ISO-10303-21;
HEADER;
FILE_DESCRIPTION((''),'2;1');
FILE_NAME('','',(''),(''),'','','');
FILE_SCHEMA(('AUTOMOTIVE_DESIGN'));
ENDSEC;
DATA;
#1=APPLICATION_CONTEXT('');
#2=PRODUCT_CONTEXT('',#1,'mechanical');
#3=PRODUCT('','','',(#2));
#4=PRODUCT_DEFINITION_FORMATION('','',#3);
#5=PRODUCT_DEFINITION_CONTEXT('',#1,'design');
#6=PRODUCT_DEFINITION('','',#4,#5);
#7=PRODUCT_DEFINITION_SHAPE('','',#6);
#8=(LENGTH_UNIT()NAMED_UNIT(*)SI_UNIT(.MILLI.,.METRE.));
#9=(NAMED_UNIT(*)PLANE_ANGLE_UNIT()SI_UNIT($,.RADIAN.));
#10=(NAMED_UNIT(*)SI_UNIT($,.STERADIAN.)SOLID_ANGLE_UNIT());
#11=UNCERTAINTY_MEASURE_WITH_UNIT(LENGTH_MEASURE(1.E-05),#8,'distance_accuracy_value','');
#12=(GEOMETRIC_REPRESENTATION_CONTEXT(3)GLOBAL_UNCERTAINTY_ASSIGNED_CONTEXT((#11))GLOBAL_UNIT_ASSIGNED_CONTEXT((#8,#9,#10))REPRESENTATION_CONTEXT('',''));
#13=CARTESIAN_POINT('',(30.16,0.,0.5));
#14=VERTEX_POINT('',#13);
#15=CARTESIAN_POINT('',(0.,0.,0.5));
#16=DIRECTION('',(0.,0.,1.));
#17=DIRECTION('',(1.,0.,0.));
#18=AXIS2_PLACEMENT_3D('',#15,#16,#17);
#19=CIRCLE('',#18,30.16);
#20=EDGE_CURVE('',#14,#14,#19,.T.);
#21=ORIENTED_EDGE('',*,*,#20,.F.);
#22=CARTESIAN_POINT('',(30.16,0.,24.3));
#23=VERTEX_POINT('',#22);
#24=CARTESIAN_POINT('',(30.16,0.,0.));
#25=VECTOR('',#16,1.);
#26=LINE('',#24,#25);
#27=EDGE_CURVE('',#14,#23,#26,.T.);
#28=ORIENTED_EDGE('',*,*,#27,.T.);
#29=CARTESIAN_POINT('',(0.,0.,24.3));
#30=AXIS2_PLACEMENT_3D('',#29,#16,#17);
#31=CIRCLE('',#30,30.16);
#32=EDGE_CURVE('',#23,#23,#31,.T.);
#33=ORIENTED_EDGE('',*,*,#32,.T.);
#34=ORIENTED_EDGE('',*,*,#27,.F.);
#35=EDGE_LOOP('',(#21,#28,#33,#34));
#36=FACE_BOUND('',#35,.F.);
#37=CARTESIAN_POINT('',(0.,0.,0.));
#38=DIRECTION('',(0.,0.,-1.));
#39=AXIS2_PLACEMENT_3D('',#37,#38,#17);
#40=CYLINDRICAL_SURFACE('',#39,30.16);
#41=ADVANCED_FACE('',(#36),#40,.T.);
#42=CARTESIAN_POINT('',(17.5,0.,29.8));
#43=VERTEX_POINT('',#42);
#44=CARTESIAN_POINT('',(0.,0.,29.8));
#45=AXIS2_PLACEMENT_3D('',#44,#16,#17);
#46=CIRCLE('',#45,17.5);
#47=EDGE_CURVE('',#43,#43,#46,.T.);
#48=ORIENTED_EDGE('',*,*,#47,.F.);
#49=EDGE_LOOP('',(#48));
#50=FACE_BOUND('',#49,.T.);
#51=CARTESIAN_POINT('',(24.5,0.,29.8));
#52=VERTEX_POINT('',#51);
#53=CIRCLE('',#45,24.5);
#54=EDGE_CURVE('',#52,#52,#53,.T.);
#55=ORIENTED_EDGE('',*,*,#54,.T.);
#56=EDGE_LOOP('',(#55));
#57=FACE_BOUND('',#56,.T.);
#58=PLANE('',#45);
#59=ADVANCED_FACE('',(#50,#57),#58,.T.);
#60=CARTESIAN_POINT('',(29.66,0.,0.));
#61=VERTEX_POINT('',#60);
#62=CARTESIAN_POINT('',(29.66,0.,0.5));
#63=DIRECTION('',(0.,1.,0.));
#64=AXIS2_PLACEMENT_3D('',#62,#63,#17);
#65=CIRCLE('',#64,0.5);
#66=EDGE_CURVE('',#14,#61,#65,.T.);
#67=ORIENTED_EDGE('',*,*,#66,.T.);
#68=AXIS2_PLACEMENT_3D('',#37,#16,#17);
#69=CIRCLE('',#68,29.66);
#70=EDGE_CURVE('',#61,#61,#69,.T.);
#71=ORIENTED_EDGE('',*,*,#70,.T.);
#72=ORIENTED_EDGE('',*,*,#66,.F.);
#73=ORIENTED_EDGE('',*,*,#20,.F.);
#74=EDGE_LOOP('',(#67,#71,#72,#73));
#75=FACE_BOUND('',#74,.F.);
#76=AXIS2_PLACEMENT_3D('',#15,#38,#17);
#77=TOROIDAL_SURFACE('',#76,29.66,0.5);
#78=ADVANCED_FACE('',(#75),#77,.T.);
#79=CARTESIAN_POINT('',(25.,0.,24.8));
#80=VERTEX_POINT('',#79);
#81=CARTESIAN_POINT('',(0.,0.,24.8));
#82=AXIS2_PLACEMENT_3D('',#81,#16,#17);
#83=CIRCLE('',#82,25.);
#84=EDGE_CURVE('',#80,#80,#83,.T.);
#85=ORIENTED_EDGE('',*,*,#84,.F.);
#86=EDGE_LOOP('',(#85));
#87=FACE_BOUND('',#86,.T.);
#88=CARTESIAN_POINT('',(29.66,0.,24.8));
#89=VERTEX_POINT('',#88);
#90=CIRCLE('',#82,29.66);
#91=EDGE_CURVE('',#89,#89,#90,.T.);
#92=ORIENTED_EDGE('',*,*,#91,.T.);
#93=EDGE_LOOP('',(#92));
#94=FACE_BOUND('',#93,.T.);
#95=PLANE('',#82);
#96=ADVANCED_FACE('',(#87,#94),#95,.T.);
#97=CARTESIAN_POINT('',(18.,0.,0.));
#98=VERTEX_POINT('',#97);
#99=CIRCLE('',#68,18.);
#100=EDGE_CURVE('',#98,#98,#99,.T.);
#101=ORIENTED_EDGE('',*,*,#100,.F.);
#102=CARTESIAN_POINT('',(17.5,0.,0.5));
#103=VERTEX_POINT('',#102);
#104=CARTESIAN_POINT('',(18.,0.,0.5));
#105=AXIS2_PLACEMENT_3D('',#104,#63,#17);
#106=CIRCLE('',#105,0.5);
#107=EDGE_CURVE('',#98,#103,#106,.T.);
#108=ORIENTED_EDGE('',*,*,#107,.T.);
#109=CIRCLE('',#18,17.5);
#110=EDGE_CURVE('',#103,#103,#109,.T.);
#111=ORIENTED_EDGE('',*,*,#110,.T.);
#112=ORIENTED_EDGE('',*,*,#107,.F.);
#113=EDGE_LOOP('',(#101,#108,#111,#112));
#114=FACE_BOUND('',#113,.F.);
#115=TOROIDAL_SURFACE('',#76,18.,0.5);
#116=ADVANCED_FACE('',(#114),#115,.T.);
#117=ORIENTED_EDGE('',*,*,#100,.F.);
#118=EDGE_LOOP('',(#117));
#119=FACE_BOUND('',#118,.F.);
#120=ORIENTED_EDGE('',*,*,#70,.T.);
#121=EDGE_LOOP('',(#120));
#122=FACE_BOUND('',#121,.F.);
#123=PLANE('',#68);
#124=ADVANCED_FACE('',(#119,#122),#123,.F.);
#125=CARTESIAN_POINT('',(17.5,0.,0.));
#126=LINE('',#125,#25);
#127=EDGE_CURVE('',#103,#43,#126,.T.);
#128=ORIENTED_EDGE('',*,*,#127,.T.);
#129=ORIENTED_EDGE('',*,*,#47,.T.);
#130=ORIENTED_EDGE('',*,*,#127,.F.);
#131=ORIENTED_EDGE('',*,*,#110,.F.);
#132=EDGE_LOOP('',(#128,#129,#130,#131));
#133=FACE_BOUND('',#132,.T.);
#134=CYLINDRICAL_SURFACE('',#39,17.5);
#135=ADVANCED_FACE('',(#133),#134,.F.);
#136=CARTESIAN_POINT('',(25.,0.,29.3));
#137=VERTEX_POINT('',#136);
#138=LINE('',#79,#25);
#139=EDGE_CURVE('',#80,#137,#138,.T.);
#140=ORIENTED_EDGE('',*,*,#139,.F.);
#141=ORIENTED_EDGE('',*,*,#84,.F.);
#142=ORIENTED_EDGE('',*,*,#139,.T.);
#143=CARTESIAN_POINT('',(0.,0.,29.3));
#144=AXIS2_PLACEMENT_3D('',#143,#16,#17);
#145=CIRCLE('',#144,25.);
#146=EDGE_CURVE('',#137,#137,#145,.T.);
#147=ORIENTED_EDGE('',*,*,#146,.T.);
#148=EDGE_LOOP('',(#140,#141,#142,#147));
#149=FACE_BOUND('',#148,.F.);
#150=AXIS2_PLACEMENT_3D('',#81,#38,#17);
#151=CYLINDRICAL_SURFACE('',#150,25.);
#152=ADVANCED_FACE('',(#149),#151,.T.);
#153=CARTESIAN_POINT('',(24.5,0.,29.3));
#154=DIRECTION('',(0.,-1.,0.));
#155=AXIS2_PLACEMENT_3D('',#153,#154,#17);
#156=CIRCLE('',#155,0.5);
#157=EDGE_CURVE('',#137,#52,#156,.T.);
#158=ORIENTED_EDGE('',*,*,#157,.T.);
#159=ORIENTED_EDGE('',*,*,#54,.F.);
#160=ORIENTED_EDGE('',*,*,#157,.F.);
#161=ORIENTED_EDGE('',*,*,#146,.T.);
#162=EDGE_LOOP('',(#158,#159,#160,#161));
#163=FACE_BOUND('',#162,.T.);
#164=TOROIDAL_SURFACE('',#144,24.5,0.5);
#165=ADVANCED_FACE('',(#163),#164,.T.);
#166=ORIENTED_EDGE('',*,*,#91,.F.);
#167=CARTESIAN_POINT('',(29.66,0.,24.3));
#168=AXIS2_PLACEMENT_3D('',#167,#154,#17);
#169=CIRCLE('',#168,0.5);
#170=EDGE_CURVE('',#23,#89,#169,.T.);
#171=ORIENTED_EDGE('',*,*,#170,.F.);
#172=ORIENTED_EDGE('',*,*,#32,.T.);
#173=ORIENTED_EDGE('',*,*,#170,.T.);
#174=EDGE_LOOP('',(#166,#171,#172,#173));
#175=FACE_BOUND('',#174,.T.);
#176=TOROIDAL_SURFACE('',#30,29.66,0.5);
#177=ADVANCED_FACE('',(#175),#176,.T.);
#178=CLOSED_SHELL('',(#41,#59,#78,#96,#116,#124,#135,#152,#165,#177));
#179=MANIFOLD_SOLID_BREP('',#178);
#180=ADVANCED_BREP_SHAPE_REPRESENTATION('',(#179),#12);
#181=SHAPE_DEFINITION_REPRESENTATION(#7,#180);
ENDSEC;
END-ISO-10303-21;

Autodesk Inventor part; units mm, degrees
ref_plane "YZ Plane" through (0, 0, 0) normal (1, 0, 0) x (0, 1, 0)
ref_plane "XZ Plane" through (0, 0, 0) normal (0, 1, 0) x (-1, 0, 0)
ref_plane "XY Plane" through (0, 0, 0) normal (0, 0, 1) x (1, 0, 0)
sketch "Sketch1" plane through (0, 0, 0) normal (0, 0, 1) x (1, 0, 0)
  circle A0 centre (0, 0) radius 30.16
  circle A1 centre (0, 0) radius 17.5
  dimension "d0" = 60.32
  dimension "d1" = 35
extrude "Extrusion1" add sketch "Sketch1" along normal blind 24.8
sketch "Sketch2" plane through (0, 0, 24.8) normal (0, 0, 1) x (1, 0, 0)
  circle A0 centre (0, 0) radius 25
  dimension "d4" = 50
extrude "Extrusion2" add sketch "Sketch2" along normal blind 5
sketch "Sketch3" plane through (0, 0, 29.8) normal (0, 0, 1) x (1, 0, 0)
  circle A0 centre (0, 0) radius 17.5
  dimension "d7" = 35
extrude "Extrusion3" cut sketch "Sketch3" against normal blind 71.75
fillet "Fillet1" radius 0.5 1 edges at (-30.16, 0, 24.8)
fillet "Fillet2" radius 0.5 3 edges at (-30.16, 0, 0) (-25, 0, 29.8) (-17.5, 0, 0)
properties part number "coração do homem de ferro"
